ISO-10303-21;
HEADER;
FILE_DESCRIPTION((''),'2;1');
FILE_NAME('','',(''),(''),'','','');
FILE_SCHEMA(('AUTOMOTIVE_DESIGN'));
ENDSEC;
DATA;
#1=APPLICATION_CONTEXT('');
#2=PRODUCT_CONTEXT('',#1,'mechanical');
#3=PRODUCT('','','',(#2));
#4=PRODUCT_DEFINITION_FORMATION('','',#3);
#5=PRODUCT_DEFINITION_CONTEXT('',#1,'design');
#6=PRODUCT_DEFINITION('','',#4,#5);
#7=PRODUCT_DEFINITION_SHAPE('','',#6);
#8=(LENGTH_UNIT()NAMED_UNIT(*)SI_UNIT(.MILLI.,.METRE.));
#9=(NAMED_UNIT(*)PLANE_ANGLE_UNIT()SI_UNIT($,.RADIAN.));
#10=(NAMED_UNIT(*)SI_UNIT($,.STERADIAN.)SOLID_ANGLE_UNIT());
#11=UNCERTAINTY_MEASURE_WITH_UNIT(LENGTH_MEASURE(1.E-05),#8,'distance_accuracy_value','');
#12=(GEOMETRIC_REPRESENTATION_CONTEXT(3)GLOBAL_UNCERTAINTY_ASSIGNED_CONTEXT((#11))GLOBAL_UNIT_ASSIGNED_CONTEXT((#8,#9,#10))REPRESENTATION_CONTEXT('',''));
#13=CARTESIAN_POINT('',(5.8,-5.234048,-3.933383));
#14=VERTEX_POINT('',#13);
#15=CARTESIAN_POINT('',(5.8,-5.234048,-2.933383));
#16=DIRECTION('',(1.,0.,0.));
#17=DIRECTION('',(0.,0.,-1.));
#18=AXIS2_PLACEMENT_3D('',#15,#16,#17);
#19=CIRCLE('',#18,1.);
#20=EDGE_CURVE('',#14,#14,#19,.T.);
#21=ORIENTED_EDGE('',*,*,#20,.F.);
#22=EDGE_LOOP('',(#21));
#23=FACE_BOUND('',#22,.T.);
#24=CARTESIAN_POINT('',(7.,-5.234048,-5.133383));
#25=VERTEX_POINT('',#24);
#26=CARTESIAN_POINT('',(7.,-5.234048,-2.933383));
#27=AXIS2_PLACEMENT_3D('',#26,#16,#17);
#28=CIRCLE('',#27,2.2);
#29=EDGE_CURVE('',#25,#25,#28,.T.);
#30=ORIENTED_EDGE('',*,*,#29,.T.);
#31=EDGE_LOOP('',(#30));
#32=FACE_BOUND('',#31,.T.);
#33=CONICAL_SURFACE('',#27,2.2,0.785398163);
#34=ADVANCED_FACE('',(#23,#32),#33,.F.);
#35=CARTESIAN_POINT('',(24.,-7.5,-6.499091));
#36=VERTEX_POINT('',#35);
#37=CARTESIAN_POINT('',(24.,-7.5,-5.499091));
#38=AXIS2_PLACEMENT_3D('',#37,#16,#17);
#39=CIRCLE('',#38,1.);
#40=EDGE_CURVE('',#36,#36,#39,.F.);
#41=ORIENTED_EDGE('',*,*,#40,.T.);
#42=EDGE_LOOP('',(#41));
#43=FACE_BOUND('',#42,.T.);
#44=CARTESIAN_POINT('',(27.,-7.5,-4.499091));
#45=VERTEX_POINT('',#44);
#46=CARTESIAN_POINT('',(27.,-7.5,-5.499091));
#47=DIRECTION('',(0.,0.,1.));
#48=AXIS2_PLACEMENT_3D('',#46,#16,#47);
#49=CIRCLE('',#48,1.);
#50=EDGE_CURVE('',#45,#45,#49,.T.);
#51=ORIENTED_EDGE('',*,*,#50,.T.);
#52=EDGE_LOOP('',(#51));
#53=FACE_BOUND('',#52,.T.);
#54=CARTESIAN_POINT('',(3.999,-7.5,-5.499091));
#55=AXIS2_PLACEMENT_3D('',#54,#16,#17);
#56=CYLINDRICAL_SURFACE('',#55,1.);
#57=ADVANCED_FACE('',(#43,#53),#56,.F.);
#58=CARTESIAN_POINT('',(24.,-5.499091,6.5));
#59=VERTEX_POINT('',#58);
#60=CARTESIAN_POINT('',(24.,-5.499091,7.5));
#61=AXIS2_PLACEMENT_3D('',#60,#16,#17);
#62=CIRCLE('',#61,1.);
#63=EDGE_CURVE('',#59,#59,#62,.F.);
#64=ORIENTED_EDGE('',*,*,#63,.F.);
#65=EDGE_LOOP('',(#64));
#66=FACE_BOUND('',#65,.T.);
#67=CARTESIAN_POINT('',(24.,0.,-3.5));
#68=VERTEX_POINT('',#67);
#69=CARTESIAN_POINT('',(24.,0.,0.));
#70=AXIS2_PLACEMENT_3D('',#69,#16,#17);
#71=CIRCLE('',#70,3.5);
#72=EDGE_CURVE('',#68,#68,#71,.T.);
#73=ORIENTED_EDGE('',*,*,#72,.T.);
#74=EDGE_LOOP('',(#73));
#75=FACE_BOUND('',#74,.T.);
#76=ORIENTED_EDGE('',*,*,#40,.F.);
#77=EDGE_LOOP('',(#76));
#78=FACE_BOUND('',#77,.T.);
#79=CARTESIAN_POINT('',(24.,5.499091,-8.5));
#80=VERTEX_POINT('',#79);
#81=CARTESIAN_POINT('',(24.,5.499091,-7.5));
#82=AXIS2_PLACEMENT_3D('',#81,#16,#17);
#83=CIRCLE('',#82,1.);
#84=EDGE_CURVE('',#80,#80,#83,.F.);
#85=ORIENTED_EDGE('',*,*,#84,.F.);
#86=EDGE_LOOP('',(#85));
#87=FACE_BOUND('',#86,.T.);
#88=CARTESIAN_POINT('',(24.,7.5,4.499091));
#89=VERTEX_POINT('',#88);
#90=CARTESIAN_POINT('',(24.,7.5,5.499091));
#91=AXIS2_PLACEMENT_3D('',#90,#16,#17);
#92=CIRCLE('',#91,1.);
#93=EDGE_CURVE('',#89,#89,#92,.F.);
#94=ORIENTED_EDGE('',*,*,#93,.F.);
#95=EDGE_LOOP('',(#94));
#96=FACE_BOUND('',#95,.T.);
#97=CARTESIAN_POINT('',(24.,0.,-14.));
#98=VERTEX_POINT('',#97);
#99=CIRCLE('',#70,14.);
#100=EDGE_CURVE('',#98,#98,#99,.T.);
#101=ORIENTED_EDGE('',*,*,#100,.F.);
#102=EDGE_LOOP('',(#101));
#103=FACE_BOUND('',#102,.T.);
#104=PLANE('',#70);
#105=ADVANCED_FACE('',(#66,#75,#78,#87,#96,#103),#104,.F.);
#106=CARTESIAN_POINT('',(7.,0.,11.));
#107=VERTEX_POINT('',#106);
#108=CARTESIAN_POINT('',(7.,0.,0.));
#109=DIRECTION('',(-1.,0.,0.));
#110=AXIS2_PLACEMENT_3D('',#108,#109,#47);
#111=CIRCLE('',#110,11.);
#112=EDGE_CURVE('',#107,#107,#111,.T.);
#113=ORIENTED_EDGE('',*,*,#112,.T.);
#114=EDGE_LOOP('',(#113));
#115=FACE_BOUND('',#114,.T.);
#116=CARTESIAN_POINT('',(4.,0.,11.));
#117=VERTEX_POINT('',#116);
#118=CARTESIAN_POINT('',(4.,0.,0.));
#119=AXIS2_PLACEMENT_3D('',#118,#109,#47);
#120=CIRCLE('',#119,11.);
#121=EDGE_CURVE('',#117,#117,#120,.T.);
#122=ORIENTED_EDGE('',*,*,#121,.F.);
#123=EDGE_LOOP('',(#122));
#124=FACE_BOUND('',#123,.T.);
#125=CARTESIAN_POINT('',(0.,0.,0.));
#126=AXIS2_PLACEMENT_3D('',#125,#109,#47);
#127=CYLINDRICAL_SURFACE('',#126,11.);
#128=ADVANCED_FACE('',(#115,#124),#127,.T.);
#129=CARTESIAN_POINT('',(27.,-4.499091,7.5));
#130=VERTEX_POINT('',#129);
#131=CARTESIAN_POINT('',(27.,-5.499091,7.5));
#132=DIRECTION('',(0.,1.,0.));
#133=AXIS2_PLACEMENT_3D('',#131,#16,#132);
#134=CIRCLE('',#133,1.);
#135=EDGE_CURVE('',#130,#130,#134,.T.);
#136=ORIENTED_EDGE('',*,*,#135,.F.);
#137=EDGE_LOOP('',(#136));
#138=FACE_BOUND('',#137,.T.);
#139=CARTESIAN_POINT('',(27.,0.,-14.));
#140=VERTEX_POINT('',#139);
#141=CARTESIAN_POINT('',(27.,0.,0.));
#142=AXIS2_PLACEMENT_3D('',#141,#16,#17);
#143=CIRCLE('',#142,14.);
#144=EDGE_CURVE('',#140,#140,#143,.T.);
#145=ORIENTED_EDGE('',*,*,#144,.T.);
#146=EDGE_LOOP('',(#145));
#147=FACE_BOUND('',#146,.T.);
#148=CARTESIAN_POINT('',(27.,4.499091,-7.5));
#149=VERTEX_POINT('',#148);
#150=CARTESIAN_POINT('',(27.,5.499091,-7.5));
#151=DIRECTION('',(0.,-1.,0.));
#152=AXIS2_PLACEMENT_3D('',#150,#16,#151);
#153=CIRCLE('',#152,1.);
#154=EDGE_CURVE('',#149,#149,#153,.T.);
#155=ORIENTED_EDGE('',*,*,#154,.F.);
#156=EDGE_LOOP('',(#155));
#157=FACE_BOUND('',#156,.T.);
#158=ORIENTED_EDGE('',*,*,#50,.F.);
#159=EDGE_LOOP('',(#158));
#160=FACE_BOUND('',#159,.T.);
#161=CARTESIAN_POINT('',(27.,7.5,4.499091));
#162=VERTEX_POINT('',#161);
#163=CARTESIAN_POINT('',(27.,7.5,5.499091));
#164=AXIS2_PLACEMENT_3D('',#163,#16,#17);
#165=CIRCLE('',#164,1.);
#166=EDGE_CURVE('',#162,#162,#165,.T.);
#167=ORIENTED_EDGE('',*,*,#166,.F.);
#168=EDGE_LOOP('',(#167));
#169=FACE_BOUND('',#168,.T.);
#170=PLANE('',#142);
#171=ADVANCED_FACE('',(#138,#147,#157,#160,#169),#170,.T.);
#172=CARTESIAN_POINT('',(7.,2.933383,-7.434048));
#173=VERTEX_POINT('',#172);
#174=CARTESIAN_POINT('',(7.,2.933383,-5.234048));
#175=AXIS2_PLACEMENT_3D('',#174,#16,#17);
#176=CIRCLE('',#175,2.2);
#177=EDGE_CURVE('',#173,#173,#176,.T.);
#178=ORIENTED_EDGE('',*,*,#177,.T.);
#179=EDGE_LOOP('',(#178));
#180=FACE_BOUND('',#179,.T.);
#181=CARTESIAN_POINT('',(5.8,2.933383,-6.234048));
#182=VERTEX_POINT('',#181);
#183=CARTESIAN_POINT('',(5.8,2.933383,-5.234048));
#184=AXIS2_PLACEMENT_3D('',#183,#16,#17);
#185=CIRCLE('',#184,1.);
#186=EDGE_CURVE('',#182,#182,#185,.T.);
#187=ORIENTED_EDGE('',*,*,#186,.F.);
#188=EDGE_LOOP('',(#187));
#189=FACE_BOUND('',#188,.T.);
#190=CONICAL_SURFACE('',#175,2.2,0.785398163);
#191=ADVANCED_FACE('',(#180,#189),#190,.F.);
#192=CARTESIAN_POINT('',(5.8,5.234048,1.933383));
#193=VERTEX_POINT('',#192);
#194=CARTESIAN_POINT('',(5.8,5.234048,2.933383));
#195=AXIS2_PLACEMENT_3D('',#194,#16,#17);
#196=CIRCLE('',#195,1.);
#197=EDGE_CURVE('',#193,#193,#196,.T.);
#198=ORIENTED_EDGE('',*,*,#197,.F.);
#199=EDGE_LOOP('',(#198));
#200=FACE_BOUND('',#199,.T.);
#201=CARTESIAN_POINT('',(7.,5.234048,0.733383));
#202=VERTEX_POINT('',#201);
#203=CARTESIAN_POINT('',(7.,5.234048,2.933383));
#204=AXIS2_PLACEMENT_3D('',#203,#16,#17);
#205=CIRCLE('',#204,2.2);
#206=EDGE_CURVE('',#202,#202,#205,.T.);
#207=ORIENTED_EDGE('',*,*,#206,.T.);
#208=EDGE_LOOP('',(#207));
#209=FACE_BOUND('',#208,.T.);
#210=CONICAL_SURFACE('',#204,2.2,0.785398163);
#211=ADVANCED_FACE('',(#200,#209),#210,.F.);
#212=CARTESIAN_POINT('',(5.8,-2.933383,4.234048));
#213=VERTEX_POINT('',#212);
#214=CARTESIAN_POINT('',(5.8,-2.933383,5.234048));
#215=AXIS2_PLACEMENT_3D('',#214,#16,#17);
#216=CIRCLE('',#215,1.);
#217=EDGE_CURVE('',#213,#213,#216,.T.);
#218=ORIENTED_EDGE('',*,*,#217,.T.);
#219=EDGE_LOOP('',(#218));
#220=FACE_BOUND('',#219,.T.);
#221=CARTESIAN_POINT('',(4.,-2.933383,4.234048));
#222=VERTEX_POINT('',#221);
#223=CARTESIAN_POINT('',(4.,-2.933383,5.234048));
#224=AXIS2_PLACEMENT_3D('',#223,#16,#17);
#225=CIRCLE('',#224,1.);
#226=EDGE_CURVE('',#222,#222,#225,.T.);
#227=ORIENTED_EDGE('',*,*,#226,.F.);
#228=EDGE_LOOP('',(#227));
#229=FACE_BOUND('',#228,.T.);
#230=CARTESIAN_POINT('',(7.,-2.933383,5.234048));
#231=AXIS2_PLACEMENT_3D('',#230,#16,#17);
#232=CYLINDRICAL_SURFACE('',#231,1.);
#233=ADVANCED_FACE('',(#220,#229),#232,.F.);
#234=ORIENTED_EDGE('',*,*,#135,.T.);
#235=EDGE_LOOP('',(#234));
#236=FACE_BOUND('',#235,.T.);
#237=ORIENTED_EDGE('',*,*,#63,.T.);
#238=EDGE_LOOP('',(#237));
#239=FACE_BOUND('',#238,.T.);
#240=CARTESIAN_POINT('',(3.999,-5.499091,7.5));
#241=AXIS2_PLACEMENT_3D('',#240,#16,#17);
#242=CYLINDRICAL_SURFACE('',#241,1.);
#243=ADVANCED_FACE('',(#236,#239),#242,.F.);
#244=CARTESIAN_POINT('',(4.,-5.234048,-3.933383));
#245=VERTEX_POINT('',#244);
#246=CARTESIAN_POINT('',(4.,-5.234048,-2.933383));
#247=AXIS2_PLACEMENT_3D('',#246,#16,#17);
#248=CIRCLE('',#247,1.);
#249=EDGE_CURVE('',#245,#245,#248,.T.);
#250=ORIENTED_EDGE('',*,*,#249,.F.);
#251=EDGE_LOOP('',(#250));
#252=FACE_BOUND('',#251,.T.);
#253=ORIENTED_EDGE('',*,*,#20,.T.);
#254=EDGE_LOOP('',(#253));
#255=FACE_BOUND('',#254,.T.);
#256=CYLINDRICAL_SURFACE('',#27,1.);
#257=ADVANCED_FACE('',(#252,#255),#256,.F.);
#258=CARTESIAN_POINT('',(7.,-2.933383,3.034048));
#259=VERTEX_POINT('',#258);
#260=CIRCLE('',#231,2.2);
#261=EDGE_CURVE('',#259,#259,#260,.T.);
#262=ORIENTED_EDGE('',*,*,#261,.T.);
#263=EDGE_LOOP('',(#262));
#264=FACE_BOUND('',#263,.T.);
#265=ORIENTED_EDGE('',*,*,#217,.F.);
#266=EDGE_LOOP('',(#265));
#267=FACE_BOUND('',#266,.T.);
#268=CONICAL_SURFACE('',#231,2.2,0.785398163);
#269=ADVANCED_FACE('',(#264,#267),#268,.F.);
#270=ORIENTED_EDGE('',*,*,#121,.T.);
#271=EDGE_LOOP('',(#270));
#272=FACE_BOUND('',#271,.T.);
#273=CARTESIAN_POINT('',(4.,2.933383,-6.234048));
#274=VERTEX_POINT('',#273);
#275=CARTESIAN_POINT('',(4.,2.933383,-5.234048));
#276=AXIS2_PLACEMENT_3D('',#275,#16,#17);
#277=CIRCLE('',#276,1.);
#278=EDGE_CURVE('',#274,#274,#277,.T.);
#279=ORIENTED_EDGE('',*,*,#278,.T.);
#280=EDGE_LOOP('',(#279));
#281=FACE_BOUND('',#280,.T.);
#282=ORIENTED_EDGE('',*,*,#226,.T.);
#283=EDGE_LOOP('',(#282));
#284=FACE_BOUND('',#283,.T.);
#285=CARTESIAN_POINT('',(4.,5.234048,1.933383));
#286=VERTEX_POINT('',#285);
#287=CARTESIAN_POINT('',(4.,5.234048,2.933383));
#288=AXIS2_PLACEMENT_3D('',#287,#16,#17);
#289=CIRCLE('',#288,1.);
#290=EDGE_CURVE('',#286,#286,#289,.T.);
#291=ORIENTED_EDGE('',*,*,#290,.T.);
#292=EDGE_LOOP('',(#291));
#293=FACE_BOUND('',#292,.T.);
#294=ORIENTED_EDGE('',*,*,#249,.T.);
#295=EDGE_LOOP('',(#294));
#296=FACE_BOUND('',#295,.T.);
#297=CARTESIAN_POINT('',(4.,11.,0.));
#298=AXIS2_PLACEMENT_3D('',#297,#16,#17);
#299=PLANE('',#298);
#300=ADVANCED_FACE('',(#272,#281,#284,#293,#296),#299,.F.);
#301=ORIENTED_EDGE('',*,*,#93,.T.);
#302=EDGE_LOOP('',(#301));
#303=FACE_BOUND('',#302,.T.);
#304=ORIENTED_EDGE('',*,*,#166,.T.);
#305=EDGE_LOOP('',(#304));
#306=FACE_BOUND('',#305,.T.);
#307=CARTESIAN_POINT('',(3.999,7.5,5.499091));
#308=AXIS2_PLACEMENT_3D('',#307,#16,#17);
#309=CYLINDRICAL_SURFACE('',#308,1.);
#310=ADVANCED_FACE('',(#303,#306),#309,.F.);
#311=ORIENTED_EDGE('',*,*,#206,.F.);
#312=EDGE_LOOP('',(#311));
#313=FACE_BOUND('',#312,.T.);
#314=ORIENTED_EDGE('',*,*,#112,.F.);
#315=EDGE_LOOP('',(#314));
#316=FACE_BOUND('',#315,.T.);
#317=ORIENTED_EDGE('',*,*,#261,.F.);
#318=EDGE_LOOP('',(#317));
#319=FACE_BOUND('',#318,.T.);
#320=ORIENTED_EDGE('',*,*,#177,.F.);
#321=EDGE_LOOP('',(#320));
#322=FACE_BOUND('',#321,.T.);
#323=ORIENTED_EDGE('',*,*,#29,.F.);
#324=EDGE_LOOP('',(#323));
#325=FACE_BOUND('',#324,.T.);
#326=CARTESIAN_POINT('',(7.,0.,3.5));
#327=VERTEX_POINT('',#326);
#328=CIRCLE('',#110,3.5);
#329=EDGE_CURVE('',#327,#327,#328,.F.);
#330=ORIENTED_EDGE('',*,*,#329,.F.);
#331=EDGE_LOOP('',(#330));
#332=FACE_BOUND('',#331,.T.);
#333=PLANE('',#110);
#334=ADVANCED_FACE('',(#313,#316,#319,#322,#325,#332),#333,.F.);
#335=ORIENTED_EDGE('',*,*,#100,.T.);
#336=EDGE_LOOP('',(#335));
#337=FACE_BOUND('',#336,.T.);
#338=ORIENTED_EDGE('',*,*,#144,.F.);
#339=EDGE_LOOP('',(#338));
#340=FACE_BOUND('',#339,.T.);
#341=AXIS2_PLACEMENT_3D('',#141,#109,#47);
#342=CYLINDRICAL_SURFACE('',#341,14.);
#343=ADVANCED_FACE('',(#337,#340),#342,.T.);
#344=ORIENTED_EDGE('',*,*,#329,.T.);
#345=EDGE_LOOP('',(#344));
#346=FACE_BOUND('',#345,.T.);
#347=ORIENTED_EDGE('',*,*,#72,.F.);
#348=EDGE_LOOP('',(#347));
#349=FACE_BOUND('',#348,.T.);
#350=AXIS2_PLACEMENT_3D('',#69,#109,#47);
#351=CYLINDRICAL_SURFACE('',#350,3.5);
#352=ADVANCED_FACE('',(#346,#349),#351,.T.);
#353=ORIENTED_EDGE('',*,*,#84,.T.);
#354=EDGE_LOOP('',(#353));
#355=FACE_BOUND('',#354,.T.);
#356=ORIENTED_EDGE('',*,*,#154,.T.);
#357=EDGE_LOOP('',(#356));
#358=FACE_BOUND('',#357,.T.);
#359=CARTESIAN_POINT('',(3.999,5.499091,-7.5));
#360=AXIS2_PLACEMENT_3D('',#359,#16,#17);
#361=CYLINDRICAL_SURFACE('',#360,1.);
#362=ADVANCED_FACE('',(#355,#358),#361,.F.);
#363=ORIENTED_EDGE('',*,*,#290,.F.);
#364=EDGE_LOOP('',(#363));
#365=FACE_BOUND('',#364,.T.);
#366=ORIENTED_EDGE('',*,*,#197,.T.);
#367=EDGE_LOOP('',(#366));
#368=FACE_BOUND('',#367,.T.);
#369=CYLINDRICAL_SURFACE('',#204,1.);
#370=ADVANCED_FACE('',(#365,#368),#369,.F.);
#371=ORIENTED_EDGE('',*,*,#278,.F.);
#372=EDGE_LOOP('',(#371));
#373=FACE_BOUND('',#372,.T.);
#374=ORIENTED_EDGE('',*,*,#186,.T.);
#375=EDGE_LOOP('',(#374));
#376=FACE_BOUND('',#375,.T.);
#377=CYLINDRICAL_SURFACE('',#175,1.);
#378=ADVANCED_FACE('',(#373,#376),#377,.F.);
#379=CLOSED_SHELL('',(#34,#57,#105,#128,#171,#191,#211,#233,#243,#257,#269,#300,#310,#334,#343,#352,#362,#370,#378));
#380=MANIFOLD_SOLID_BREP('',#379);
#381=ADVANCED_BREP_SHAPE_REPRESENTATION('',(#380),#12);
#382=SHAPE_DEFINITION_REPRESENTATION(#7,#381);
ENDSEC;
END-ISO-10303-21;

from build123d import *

# Parameters (mm, degrees)
SKETCH_1_W                  = 3
SKETCH_1_H                  = 11
HOLE_WIZARD_M22_D           = 2
HOLE_WIZARD_M22_CSINK_D     = 4.4
HOLE_WIZARD_M22_CSINK_ANGLE = 90
PATTERN_CIRCULAR_2_COUNT    = 4
SKETCH_6_R                  = 3.5
EXTRUDE_1_DEPTH             = 17
SKETCH_7_R                  = 14
EXTRUDE_2_DEPTH             = 3
CUT_EXTRUDE_1_REACH         = 32.348
SKETCH_8_R                  = 1
PATTERN_CIRCULAR_3_COUNT    = 4


with BuildPart() as part:
    # Эскиз1 → Повернуть1 (revolve)
    with BuildSketch(Plane.XY):
        with Locations((5.5, 5.5)):
            Rectangle(SKETCH_1_W, SKETCH_1_H)
    revolve(axis=Axis((0, 0, 0), (1, 0, 0)))

    # Зенковка для  винта с плоской головкой M22 (through all)
    with Locations(Plane(origin=(7, 0, 0), x_dir=(0, 0, -1), z_dir=(1, 0, 0))):
        with Locations((-2.933383142, 5.234048466)):
            hole_wizard_m22 = CounterSinkHole(HOLE_WIZARD_M22_D / 2, HOLE_WIZARD_M22_CSINK_D / 2, counter_sink_angle=HOLE_WIZARD_M22_CSINK_ANGLE)

    # Круговой массив2: Зенковка для  винта с плоской головкой M22 ×4 about axis
    pattern_circular_2_axis = Axis((7, 0, 0), (-1, 0, 0))
    for i in range(1, PATTERN_CIRCULAR_2_COUNT):
        add(hole_wizard_m22.rotate(pattern_circular_2_axis, i * 360 / PATTERN_CIRCULAR_2_COUNT), mode=Mode.SUBTRACT)

    # Эскиз6 → Бобышка-Вытянуть1 (add)
    with BuildSketch(Plane(origin=(7, 0, 0), x_dir=(0, 0, -1), z_dir=(1, 0, 0))):
        Circle(SKETCH_6_R)
    extrude(amount=EXTRUDE_1_DEPTH)

    # Эскиз7 → Бобышка-Вытянуть2 (add)
    with BuildSketch(Plane(origin=(24, 0, 0), x_dir=(0, 0, -1), z_dir=(1, 0, 0))):
        Circle(SKETCH_7_R)
    extrude(amount=EXTRUDE_2_DEPTH)

    # Эскиз8 → Вырез-Вытянуть1 (cut, up to next)
    with BuildSketch(Plane(origin=(27, 0, 0), x_dir=(0, 0, -1), z_dir=(1, 0, 0)), mode=Mode.PRIVATE) as cut_extrude_1_sk1:
        with Locations((-5.499090834, 7.5)):
            Circle(SKETCH_8_R)
    cut_extrude_1_tool1 = extrude(cut_extrude_1_sk1.sketch, amount=-CUT_EXTRUDE_1_REACH, mode=Mode.PRIVATE) & part.part
    cut_extrude_1 = cut_extrude_1_tool1.solids().sort_by_distance((27, 7.5, 5.499091))[0]
    add(cut_extrude_1, mode=Mode.SUBTRACT)

    # Круговой массив3: Вырез-Вытянуть1 ×4 about axis
    pattern_circular_3_axis = Axis((7, 0, 0), (-1, 0, 0))
    for i in range(1, PATTERN_CIRCULAR_3_COUNT):
        add(cut_extrude_1.rotate(pattern_circular_3_axis, i * 360 / PATTERN_CIRCULAR_3_COUNT), mode=Mode.SUBTRACT)


solid = part.part
